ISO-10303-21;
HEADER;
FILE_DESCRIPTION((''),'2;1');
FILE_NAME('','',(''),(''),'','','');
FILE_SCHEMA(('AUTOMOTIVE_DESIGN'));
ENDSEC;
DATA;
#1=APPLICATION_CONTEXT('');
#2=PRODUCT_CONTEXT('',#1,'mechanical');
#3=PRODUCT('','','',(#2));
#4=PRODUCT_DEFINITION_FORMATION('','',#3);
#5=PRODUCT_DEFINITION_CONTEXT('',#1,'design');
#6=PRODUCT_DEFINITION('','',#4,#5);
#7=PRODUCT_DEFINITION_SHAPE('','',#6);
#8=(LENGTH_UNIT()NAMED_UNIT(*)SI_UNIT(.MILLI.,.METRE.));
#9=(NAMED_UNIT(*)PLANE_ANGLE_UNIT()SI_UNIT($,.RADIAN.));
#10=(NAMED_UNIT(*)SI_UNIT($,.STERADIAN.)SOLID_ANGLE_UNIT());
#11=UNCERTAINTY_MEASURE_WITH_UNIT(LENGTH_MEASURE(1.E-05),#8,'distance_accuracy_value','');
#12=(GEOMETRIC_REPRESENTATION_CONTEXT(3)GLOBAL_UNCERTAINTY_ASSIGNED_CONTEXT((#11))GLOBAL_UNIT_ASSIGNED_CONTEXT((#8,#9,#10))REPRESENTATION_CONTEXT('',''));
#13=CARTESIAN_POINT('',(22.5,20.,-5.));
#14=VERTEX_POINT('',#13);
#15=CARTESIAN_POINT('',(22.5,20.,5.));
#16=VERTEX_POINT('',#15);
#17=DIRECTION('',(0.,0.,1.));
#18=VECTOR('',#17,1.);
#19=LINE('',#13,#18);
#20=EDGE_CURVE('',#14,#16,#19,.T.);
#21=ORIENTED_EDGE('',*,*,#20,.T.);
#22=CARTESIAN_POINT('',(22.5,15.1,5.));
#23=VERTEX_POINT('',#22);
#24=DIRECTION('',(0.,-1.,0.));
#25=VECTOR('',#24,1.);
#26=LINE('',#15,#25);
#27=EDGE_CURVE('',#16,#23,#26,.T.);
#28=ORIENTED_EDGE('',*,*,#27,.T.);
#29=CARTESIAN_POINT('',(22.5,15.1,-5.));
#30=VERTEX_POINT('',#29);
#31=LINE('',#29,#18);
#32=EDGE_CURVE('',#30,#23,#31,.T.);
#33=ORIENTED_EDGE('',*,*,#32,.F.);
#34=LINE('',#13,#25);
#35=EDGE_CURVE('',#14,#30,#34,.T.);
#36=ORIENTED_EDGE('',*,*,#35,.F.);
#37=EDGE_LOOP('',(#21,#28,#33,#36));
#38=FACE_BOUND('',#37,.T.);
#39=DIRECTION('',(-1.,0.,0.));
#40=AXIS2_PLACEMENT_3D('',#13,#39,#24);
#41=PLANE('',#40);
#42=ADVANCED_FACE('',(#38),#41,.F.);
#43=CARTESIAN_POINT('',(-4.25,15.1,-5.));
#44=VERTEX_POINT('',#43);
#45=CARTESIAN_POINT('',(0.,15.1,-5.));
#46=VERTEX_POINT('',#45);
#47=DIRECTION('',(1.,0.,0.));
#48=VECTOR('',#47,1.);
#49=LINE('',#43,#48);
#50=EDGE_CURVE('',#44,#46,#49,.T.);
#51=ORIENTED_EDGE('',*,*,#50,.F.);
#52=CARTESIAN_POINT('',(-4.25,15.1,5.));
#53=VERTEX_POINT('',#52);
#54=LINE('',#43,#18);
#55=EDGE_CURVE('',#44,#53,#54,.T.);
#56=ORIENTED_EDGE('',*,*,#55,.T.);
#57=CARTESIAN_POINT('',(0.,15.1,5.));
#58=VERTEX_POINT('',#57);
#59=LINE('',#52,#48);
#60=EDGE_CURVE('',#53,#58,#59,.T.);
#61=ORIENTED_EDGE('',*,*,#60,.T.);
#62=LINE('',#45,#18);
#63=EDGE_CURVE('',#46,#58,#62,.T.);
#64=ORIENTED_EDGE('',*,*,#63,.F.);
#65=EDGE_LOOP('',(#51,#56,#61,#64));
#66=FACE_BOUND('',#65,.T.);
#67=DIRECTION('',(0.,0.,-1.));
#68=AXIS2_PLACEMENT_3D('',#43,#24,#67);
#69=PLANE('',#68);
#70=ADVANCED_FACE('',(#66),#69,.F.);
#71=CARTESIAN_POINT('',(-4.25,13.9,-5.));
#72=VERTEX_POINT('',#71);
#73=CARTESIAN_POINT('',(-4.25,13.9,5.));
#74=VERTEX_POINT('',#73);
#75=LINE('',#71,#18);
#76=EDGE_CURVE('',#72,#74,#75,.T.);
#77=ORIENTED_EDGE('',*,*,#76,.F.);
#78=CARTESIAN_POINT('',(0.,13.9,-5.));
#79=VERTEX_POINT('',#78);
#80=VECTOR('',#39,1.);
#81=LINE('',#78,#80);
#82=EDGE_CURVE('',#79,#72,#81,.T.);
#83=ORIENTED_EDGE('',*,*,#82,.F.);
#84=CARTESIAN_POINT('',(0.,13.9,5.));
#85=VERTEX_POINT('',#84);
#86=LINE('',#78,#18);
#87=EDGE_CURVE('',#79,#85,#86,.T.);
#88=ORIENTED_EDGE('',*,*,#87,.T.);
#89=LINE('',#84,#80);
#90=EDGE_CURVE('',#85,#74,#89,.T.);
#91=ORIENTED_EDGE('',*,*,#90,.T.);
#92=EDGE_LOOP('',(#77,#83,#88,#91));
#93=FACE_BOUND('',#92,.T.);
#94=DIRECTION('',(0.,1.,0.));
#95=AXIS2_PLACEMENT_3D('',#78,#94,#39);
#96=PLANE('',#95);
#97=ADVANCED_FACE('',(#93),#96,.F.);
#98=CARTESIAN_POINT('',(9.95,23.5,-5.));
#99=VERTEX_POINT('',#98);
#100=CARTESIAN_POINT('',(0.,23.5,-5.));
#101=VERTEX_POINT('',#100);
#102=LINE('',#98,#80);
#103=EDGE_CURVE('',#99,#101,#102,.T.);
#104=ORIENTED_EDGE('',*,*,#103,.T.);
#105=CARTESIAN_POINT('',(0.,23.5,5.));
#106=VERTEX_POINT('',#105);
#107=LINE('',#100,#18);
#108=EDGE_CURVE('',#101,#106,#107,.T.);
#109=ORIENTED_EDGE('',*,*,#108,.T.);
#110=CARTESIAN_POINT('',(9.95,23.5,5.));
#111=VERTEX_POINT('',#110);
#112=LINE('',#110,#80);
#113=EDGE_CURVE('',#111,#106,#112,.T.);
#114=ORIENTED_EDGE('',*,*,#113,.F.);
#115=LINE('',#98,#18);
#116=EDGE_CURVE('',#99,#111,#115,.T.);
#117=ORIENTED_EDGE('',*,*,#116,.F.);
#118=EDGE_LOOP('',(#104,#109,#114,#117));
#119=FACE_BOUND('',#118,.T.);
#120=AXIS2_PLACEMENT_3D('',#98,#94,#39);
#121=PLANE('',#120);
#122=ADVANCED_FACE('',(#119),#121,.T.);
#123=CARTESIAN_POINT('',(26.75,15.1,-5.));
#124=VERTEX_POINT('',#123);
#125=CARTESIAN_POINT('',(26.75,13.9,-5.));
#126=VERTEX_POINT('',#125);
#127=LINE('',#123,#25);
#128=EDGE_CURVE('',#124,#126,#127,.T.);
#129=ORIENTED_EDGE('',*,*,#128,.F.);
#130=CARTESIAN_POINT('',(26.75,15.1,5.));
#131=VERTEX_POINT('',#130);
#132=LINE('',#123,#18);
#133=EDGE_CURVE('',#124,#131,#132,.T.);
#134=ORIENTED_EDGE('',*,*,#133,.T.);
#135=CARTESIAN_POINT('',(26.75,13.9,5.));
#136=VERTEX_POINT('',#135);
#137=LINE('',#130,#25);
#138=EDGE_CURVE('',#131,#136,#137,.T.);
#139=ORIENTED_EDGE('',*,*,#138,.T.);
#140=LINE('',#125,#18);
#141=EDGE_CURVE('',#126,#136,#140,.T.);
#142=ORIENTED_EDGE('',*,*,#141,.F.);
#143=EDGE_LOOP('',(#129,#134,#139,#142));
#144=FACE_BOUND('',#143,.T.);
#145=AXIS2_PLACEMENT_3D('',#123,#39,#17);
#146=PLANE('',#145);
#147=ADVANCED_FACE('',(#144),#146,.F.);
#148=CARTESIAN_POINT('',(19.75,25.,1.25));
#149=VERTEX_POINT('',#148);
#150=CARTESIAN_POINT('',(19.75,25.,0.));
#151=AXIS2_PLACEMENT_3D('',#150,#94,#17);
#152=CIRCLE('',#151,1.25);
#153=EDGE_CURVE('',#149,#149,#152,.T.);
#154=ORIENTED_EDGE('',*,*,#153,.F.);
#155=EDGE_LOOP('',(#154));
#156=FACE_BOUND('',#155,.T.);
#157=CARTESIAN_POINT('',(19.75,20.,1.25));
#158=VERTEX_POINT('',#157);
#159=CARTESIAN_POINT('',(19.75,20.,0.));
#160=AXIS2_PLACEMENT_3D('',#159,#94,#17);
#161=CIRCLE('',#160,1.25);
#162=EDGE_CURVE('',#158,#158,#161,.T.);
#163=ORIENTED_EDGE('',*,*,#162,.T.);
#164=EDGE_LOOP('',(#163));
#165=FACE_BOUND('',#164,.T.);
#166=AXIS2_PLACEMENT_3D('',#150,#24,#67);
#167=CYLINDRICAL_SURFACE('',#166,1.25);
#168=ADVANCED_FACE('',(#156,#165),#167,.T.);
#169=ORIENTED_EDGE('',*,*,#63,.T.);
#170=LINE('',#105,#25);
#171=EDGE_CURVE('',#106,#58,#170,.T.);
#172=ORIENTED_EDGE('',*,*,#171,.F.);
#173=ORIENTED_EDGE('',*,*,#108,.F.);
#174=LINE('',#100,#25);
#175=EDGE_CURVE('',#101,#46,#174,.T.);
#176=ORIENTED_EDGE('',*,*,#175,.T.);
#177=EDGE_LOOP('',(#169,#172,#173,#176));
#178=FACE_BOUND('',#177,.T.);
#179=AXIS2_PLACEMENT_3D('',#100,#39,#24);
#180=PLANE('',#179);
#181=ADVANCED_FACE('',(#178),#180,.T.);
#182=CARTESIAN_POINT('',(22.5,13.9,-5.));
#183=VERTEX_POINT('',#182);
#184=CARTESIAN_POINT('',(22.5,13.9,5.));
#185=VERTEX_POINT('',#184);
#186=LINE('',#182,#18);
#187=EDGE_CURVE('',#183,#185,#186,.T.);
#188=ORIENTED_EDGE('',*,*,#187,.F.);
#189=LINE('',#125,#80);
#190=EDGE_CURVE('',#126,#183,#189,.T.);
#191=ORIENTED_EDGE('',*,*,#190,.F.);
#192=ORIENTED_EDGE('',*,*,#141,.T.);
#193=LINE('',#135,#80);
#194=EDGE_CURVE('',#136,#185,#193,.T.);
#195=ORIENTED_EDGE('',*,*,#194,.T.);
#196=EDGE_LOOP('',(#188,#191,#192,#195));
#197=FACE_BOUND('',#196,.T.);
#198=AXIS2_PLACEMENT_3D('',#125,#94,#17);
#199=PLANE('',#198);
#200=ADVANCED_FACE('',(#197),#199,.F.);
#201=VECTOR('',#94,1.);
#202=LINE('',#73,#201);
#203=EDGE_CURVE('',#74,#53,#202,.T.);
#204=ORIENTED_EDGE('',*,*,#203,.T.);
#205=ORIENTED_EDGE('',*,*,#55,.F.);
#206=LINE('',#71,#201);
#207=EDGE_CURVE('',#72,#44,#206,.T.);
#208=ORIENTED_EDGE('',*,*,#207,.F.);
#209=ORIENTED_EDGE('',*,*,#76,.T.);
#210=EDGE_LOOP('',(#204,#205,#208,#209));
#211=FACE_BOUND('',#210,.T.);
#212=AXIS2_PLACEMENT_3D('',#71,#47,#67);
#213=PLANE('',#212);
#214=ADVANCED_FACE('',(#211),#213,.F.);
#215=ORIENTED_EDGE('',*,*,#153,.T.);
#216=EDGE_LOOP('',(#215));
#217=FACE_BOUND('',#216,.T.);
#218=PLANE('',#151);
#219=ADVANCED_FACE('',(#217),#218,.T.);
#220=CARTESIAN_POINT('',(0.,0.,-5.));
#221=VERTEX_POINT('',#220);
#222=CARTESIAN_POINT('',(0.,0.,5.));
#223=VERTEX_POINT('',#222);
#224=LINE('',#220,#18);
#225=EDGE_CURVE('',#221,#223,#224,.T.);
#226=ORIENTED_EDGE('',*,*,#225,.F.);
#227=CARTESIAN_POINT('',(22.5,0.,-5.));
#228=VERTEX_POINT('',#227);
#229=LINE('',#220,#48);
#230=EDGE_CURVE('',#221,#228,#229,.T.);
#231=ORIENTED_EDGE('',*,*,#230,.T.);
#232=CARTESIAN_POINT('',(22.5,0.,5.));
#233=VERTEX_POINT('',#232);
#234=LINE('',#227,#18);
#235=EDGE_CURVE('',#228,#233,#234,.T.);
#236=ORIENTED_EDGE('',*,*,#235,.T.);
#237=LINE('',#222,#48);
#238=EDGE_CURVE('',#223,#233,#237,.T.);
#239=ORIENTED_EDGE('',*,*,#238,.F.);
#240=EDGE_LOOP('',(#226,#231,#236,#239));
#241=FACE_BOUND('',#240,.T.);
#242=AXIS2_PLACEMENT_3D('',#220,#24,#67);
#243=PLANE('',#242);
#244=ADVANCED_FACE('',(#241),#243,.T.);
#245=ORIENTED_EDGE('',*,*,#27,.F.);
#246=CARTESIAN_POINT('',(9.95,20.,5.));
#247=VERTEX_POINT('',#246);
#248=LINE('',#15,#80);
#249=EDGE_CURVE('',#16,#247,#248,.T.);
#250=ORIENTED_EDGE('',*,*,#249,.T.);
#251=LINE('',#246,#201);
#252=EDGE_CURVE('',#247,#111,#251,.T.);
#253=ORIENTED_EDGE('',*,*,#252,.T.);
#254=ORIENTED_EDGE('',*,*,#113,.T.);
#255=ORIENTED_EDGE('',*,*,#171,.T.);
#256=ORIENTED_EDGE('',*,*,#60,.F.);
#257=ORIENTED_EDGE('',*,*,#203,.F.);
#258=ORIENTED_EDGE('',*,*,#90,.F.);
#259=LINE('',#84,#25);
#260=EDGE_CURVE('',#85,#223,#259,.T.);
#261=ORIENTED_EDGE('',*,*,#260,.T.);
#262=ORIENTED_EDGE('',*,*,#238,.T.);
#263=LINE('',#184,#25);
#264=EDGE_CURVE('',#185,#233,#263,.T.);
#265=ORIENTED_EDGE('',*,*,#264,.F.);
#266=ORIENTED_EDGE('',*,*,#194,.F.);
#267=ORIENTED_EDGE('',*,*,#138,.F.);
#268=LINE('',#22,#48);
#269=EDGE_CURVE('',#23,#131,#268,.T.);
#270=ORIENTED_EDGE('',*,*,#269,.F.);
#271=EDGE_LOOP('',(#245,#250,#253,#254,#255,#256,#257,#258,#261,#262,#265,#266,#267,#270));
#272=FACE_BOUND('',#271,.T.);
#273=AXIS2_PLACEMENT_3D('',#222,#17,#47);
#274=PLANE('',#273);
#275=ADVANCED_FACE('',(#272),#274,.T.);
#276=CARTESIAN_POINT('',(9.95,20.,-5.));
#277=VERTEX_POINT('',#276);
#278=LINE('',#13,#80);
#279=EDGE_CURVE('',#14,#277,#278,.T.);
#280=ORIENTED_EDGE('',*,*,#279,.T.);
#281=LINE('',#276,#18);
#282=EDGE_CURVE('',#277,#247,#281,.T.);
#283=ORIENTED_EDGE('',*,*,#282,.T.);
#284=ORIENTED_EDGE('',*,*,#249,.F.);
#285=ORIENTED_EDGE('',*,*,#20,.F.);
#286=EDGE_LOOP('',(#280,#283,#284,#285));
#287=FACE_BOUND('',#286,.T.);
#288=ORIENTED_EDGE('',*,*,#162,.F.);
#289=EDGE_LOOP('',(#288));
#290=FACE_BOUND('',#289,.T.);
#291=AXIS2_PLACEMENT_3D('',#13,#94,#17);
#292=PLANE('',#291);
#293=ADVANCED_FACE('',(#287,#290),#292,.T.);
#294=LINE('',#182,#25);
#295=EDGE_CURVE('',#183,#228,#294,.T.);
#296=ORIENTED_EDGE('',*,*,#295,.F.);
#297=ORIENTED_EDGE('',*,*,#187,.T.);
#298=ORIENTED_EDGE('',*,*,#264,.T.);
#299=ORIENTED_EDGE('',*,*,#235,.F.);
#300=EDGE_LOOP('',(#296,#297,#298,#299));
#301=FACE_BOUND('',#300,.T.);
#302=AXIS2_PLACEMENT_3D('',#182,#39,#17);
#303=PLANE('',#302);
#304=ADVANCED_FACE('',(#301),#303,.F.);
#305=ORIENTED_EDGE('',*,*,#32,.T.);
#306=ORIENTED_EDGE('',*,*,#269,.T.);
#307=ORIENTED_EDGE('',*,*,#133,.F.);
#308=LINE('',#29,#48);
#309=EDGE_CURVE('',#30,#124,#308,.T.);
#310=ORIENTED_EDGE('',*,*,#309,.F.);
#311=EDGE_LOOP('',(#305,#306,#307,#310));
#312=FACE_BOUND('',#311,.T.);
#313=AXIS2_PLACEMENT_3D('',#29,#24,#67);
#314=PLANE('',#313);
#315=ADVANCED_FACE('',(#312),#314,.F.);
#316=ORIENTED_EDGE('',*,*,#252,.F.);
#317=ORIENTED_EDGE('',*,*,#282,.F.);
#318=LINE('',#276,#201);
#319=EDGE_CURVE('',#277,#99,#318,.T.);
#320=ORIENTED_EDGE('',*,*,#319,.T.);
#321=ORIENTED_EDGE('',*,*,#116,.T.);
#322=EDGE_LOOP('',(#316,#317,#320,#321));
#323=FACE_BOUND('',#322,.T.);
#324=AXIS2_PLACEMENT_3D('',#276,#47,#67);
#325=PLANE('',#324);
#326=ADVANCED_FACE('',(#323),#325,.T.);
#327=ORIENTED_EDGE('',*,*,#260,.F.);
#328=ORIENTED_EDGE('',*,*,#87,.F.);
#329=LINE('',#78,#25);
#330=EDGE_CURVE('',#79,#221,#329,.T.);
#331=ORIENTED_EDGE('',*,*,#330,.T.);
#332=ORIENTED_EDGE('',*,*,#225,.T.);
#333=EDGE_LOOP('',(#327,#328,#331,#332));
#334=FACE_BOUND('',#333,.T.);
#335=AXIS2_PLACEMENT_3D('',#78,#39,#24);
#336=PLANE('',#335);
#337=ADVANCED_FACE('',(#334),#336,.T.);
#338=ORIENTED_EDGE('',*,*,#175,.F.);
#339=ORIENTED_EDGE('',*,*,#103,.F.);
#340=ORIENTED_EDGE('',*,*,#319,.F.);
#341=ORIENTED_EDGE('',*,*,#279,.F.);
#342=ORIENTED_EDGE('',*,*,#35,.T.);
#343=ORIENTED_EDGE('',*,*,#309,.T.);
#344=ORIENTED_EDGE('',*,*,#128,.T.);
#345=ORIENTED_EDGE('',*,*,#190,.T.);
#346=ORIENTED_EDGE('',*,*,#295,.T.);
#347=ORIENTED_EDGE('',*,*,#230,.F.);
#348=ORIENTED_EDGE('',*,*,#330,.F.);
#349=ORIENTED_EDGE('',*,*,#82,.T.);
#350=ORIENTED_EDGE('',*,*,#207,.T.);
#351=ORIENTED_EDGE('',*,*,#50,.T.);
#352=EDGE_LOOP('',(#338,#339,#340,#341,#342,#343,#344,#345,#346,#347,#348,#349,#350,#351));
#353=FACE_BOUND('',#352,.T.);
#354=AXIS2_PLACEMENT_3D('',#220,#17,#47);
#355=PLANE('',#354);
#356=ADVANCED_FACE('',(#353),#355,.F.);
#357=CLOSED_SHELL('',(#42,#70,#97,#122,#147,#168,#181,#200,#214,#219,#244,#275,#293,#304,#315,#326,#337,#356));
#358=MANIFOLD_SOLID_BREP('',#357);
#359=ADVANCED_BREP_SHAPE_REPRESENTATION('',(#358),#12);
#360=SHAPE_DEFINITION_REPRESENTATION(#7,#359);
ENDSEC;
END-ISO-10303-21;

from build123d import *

# Parameters (mm, degrees)
BOSS_EXTRU_1_DEPTH      = 5
BOSS_EXTRU_1_DEPTH_BACK = 5
ESQUISSE3_R             = 1.25
BOSS_EXTRU_2_DEPTH      = 5


with BuildPart() as part:
    # Esquisse1 → Boss.-Extru.1 (new, two sides: drawn at the far end of the back side and taken through both)
    with BuildSketch(Plane.XY.offset(-BOSS_EXTRU_1_DEPTH_BACK)):
        Polygon((0, 0), (22.5, 0), (22.5, 13.9), (26.75, 13.9), (26.75, 15.1), (22.5, 15.1), (22.5, 20), (9.95, 20), (9.95, 23.5), (0, 23.5), (0, 15.1), (-4.25, 15.1), (-4.25, 13.9), (0, 13.9), align=None)
    extrude(amount=BOSS_EXTRU_1_DEPTH + BOSS_EXTRU_1_DEPTH_BACK)

    # Esquisse3 → Boss.-Extru.2 (add)
    with BuildSketch(Plane(origin=(0, 20, 0), x_dir=(1, 0, 0), z_dir=(0, 1, 0))):
        with Locations((19.75, 0)):
            Circle(ESQUISSE3_R)
    extrude(amount=BOSS_EXTRU_2_DEPTH)


solid = part.part
